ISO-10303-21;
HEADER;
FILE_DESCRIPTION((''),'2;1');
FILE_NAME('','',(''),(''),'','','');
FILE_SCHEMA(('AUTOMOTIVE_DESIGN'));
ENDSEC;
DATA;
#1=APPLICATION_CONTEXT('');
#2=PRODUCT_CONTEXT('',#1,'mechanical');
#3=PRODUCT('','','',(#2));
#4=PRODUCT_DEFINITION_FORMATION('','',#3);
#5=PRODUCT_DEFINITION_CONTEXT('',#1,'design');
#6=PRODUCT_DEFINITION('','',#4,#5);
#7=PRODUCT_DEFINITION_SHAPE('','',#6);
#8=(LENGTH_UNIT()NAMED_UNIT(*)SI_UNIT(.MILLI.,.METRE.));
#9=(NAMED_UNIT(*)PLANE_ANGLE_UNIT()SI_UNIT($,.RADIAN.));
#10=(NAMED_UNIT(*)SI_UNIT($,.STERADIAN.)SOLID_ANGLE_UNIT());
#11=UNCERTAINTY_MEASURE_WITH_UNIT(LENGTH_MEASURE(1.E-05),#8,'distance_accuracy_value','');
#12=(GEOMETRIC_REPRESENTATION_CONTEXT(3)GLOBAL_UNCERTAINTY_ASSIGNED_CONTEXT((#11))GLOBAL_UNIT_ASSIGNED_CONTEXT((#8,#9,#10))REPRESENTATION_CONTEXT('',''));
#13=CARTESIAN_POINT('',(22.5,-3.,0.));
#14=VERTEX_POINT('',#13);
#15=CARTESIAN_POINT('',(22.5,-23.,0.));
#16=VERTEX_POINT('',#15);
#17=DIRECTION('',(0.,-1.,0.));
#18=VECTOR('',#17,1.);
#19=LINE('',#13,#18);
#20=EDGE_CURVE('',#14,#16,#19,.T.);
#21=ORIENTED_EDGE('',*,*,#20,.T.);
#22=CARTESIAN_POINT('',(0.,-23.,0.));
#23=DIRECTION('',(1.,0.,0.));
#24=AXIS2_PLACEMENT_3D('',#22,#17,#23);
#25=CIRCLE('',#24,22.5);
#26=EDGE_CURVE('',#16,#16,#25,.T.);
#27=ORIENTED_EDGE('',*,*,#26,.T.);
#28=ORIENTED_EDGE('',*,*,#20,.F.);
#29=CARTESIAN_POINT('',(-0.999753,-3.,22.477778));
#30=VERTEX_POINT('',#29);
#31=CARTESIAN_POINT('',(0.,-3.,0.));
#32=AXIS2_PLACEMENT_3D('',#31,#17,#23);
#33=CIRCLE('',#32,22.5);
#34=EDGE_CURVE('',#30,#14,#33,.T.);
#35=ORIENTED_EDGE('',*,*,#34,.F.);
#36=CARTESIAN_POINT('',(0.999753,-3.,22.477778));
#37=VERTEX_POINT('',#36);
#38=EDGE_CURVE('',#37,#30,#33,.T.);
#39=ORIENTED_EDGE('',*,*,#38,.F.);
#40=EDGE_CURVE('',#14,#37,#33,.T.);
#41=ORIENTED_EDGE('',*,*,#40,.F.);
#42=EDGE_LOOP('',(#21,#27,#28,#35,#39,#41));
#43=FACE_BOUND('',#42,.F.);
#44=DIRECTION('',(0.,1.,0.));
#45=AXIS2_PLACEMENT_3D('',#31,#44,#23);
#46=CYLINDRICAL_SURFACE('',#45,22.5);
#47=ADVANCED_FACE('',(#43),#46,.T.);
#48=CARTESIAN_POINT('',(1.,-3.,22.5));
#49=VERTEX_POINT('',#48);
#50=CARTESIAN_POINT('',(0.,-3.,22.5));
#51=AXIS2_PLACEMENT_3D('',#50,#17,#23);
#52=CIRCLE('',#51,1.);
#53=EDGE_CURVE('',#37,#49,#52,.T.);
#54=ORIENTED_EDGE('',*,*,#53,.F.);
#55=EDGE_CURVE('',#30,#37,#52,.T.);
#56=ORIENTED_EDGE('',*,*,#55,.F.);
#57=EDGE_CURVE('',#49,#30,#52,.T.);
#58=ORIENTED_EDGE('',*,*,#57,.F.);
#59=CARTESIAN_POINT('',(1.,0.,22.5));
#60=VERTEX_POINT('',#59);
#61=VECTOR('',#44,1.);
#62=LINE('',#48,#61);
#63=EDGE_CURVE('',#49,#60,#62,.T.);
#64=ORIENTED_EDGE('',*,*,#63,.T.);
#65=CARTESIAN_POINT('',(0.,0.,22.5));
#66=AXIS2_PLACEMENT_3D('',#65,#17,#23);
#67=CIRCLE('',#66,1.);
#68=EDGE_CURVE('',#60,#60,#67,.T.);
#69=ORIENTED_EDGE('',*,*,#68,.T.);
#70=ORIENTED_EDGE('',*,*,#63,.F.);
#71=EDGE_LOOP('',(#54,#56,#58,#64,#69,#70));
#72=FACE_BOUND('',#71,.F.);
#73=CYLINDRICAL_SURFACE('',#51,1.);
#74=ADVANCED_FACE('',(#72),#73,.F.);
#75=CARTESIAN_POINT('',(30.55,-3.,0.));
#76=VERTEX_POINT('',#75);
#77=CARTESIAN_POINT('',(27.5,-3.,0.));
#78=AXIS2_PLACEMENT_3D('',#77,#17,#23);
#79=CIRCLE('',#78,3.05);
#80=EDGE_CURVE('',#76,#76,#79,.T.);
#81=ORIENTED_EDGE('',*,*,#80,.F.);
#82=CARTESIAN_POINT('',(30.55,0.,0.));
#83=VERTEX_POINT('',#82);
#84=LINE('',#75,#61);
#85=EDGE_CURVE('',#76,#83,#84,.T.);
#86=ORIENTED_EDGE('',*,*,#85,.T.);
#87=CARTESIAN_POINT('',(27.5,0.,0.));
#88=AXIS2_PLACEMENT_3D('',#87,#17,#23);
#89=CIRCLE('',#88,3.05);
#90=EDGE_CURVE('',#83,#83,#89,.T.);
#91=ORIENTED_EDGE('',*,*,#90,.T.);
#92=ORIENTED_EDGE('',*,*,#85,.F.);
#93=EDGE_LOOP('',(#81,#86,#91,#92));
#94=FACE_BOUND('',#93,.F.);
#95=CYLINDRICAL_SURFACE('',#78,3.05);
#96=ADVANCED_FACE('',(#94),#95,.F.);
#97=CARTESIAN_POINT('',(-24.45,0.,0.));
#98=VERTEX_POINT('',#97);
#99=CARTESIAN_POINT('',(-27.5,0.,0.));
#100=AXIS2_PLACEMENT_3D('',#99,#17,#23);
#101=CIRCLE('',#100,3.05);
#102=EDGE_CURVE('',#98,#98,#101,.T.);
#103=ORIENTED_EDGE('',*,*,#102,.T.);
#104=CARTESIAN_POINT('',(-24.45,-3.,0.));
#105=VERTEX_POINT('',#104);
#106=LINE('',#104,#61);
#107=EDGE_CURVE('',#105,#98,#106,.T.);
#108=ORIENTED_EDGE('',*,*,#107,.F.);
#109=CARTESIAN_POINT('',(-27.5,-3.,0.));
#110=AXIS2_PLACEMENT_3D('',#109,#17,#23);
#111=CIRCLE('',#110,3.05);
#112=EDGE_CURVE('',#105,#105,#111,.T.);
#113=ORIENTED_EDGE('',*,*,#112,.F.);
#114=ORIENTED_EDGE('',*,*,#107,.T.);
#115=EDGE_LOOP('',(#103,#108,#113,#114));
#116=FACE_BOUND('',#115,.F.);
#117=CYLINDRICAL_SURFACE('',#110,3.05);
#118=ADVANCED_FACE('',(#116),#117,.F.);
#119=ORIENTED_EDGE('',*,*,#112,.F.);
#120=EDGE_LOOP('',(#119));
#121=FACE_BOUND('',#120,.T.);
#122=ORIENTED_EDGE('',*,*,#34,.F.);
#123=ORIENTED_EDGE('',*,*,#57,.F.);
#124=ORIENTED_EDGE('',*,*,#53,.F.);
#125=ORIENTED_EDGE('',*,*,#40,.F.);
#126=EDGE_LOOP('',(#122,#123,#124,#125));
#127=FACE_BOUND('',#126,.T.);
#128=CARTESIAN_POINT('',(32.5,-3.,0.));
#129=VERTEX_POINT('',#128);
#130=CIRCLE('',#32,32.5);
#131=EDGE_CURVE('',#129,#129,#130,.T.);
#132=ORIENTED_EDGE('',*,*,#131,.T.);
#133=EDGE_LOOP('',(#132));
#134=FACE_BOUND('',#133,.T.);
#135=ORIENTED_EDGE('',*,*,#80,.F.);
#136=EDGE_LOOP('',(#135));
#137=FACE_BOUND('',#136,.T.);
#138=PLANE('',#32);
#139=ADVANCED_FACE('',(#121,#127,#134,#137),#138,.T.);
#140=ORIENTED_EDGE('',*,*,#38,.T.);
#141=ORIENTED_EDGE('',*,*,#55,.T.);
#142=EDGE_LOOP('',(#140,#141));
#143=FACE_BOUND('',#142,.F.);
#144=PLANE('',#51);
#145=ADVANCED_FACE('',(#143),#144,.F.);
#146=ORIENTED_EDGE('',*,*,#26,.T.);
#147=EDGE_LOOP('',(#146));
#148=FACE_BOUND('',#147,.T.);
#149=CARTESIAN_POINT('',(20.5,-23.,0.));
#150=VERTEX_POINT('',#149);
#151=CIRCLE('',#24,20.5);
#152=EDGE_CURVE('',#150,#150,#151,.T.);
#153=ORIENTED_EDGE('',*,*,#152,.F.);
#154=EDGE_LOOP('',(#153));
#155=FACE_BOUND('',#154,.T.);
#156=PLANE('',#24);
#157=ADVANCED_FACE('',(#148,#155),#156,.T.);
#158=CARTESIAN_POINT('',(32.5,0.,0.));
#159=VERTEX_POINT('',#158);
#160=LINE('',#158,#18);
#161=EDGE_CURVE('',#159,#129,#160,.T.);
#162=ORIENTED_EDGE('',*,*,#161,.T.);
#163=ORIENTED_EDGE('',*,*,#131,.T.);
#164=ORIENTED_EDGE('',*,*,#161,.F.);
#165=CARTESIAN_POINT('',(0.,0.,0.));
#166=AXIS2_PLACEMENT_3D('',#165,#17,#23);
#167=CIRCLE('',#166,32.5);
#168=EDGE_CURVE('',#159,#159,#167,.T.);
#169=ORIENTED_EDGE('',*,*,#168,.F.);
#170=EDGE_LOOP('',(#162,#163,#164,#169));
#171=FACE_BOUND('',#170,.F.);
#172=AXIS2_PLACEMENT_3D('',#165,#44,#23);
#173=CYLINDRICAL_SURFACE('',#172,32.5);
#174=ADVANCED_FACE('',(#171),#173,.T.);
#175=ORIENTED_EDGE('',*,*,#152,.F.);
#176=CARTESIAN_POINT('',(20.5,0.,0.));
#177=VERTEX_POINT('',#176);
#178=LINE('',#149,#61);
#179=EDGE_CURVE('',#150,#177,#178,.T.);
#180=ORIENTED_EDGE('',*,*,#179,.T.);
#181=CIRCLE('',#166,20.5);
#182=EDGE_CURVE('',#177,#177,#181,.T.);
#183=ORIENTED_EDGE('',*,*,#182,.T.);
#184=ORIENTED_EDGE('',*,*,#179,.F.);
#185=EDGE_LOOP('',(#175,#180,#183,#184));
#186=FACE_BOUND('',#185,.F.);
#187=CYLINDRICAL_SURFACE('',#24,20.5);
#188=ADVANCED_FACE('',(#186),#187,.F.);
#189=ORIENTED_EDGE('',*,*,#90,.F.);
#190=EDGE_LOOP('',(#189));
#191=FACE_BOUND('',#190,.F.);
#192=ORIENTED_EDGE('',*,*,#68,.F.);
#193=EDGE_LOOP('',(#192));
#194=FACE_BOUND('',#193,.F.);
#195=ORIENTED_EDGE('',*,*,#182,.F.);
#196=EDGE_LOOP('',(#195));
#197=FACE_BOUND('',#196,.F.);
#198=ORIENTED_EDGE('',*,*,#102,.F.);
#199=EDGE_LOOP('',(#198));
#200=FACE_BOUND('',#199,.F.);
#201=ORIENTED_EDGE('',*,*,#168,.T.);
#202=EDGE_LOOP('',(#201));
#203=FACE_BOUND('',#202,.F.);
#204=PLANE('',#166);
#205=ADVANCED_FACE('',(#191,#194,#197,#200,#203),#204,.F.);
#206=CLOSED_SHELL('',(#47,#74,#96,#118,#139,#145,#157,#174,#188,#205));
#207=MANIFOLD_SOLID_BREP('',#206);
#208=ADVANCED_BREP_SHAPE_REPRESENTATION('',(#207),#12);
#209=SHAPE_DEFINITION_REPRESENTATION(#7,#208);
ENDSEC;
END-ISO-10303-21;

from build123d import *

# Parameters (mm, degrees)
F0_R     = 32.5
F1_DEPTH = 3
F2_R     = 22.5
F3_DEPTH = 20
F4_R     = 20.5
F5_DEPTH = 23.001
F6_R     = 3.05
F6_R_2   = 1
F7_DEPTH = 3.001


with BuildPart() as f1:
    # F0 (on Front) → F1 (new body)
    with BuildSketch(Plane.XZ):
        Circle(F0_R)
    extrude(amount=F1_DEPTH)

    # F2 (on face) → F3 (join)
    with BuildSketch(Plane.XZ.offset(3)):
        Circle(F2_R)
    extrude(amount=F3_DEPTH)

    # F4 (on face) → F5 (cut, through all)
    with BuildSketch(Plane.XZ.offset(23)):
        Circle(F4_R)
    extrude(amount=-F5_DEPTH, mode=Mode.SUBTRACT)

    # F6 (on face) → F7 (cut, through all)
    with BuildSketch(Plane.XZ.offset(3)):
        with Locations((27.5, 0)):
            Circle(F6_R)
        with Locations((-27.5, 0)):
            Circle(F6_R)
        with Locations((0, 22.5)):
            Circle(F6_R_2)
    extrude(amount=-F7_DEPTH, mode=Mode.SUBTRACT)


solid = f1.part
